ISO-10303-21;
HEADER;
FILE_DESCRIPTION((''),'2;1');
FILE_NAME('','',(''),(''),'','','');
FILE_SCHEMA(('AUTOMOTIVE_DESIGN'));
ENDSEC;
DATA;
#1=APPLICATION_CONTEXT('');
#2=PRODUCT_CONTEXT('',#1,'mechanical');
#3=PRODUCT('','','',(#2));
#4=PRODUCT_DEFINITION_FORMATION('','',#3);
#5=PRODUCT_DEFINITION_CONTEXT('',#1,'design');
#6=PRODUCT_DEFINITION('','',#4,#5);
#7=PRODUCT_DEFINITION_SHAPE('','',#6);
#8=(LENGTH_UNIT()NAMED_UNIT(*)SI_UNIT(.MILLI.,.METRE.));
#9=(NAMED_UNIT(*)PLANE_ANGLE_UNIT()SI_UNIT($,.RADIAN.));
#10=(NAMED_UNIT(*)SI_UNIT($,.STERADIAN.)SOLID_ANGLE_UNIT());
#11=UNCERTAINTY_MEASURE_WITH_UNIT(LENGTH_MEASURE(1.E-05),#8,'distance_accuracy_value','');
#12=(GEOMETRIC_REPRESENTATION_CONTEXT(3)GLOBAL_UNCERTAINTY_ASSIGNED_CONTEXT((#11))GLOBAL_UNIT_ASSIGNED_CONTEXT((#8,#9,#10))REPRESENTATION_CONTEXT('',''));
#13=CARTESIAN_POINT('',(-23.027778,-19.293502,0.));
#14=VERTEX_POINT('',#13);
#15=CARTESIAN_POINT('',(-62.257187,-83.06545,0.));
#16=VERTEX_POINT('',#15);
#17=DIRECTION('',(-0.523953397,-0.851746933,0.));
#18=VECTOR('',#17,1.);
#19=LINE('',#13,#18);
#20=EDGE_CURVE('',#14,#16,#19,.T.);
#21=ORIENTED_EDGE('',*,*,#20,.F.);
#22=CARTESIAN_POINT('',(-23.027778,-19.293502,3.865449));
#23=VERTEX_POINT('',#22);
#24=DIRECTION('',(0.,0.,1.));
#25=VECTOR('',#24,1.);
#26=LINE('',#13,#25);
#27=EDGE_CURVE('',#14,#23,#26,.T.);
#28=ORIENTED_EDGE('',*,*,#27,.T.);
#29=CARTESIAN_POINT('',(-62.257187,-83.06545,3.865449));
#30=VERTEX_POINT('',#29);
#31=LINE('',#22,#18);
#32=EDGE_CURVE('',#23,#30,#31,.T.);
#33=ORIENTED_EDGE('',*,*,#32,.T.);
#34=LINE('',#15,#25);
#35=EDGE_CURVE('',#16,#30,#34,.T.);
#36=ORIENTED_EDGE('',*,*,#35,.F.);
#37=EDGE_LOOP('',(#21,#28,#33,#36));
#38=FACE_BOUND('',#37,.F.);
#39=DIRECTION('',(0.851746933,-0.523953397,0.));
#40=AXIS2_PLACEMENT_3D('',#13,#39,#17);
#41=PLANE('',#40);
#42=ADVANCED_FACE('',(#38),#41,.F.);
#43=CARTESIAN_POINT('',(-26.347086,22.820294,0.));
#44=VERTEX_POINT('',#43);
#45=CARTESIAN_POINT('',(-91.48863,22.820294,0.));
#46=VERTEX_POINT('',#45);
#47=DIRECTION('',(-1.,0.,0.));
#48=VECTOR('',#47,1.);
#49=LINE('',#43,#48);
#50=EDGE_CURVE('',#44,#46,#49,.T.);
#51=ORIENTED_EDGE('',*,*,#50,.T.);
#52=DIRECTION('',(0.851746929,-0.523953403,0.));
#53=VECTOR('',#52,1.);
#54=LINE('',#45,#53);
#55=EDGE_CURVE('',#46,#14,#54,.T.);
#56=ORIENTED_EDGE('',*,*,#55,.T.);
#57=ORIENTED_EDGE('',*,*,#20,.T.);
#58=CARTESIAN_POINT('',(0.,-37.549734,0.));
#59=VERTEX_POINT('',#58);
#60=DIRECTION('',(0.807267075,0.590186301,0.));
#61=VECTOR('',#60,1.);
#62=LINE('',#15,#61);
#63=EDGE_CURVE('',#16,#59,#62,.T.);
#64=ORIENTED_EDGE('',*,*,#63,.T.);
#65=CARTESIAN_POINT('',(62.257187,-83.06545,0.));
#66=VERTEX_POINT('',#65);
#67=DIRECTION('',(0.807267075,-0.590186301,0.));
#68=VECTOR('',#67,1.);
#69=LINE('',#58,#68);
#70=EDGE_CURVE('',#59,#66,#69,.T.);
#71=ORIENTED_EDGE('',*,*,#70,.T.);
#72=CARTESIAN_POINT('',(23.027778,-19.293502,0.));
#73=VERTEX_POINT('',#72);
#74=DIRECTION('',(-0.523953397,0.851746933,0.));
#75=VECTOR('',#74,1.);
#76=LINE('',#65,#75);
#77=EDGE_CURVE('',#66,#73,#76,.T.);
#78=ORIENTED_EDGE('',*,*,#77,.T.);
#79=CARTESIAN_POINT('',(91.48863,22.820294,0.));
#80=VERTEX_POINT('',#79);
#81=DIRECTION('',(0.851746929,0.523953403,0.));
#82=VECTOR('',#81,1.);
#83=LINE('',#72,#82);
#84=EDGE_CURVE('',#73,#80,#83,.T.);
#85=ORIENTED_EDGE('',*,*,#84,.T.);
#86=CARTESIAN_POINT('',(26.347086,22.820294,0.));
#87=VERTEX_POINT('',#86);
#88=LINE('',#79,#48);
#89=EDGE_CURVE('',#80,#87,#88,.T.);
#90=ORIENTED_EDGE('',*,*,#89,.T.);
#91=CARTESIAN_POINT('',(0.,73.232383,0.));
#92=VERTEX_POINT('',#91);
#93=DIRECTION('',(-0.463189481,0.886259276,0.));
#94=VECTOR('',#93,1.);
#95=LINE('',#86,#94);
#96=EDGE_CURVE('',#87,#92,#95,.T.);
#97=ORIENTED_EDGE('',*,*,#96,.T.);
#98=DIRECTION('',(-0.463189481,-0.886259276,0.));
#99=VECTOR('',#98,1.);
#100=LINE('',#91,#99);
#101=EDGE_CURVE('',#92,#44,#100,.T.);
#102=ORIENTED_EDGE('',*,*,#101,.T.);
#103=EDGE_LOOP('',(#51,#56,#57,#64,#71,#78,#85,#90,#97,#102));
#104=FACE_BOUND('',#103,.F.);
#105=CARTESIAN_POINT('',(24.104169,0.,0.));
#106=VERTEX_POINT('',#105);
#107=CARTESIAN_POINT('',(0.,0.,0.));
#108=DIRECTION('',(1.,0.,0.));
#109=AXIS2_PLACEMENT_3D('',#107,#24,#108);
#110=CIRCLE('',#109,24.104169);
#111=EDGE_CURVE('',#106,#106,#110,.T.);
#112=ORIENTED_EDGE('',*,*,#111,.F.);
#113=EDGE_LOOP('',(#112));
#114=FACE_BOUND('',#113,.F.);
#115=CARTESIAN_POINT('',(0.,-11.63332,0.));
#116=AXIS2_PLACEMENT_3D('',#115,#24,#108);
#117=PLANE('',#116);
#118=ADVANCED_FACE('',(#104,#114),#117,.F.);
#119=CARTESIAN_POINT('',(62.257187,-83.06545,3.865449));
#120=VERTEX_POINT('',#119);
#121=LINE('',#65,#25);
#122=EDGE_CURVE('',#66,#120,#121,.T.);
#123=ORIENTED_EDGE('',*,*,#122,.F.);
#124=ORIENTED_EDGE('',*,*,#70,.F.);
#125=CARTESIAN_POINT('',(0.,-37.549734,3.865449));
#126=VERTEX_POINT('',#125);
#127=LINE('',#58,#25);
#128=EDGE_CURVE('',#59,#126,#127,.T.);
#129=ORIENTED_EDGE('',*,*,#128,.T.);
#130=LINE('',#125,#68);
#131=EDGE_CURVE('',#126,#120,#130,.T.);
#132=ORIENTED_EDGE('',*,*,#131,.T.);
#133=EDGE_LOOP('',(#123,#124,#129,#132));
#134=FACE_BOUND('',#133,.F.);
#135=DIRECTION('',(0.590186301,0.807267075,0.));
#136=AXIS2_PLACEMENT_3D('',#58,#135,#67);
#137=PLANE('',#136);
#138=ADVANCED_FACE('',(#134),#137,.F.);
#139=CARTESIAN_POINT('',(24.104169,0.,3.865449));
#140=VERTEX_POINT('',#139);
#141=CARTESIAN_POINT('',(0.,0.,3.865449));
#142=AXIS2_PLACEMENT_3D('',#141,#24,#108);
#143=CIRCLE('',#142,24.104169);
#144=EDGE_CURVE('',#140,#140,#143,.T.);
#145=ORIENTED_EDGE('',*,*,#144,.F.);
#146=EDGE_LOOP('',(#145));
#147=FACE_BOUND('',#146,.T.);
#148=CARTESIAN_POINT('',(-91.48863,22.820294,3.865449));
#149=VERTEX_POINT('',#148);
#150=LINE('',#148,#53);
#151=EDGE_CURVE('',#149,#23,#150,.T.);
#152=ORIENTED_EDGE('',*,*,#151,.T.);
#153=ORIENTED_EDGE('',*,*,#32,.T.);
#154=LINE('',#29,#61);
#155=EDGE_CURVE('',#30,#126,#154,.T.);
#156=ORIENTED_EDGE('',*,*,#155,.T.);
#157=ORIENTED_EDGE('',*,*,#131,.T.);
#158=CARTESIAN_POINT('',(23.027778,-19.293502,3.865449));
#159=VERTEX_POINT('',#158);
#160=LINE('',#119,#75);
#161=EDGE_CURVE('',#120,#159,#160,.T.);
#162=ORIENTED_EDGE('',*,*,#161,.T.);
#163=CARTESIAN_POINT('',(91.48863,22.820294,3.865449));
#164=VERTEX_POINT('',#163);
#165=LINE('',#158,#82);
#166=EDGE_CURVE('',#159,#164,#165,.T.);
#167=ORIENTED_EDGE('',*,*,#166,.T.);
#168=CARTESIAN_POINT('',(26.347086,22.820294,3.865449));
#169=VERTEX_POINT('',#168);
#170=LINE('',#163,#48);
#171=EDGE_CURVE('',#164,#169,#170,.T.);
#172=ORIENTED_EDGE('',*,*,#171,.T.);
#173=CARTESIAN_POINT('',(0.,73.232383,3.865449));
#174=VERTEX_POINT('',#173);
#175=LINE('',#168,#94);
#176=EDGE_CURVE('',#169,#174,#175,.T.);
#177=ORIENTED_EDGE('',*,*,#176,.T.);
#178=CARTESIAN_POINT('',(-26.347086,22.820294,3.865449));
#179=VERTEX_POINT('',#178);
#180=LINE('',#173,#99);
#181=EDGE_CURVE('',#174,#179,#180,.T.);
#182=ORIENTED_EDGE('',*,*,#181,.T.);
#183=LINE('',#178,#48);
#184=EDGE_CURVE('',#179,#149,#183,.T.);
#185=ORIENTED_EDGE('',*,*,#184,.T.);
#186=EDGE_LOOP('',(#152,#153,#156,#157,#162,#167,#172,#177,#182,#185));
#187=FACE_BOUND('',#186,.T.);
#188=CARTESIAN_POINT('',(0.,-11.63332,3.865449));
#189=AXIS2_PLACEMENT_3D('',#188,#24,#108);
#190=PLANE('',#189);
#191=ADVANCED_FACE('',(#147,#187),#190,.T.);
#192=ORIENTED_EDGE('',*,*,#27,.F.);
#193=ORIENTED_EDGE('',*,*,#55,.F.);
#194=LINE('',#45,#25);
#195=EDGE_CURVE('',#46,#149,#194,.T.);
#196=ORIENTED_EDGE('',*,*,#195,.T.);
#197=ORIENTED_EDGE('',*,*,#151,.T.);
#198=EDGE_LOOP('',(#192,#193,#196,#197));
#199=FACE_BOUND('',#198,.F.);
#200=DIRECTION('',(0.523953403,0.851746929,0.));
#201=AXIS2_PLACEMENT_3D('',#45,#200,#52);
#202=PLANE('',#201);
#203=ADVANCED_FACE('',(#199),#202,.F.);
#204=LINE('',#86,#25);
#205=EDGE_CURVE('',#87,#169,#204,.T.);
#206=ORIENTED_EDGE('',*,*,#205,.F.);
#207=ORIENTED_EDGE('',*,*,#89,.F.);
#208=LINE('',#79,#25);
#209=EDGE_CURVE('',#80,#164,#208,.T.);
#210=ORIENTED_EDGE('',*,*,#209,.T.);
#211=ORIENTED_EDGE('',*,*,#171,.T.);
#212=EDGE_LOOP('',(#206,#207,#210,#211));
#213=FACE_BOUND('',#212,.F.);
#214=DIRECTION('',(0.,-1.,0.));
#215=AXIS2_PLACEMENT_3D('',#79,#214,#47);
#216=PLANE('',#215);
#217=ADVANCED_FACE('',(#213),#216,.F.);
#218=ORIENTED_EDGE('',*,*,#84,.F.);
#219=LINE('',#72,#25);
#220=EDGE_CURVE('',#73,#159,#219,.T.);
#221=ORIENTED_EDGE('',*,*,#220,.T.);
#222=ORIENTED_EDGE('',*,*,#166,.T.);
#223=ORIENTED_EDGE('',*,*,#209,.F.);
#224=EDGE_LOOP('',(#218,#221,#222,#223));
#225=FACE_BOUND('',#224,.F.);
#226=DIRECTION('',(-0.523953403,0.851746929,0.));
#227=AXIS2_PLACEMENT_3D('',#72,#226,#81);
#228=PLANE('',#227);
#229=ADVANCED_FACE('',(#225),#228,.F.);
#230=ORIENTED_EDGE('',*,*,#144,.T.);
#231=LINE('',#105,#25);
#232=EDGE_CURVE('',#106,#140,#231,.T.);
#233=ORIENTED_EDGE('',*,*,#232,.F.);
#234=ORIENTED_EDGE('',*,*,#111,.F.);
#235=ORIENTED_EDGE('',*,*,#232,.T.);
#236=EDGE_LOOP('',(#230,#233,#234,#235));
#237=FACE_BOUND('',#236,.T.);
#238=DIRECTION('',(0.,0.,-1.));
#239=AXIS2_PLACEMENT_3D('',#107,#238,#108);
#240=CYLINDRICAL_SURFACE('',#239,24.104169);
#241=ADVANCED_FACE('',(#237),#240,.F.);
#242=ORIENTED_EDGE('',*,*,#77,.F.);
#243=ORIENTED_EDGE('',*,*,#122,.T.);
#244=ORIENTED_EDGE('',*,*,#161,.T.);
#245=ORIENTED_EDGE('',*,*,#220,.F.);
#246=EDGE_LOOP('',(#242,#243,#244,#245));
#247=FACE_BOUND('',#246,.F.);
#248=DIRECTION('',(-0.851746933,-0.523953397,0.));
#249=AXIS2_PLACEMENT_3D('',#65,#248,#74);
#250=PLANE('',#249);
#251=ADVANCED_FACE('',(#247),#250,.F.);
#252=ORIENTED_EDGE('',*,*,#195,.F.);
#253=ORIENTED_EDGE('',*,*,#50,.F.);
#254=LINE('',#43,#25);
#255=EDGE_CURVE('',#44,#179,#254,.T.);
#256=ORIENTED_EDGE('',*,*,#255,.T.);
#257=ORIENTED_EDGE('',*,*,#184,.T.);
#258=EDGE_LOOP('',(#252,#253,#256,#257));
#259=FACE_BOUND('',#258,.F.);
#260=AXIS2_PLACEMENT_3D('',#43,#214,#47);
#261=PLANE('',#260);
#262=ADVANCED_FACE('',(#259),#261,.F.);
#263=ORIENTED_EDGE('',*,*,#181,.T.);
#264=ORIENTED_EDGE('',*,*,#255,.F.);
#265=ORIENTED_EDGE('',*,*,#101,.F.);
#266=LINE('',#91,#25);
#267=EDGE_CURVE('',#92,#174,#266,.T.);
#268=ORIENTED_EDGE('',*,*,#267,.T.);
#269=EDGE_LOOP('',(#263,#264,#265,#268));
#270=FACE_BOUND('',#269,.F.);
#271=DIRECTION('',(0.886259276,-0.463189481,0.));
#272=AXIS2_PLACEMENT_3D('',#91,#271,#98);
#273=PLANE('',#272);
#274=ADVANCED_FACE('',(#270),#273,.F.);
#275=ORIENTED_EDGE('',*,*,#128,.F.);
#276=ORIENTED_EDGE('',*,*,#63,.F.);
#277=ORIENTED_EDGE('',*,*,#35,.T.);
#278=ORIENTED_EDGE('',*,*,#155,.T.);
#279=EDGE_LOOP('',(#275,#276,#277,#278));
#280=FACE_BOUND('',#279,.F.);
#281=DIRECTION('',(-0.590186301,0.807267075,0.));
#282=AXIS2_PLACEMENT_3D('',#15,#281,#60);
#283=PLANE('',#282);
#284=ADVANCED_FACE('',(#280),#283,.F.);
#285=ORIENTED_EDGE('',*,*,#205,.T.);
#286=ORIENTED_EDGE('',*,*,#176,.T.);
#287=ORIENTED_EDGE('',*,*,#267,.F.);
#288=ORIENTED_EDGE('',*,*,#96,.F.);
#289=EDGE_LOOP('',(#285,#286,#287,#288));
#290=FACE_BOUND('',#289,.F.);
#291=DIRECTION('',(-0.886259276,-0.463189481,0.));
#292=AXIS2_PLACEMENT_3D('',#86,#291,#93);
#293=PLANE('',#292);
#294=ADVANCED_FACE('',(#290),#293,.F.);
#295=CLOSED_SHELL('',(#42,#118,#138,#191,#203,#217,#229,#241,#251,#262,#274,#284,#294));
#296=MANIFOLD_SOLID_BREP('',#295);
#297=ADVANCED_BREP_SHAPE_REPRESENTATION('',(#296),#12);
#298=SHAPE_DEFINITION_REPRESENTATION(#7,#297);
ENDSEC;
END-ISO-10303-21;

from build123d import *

# Parameters (mm, degrees)
F0_R     = 24.104169
F1_DEPTH = 3.865449


with BuildPart() as f1:
    # F0 (on Top) → F1 (new body)
    with BuildSketch(Plane.XY):
        Polygon((0, 73.232383), (-26.347086, 22.820294), (-91.48863, 22.820294), (-23.027778, -19.293502), (-62.257187, -83.06545), (0, -37.549734), (62.257187, -83.06545), (23.027778, -19.293502), (91.48863, 22.820294), (26.347086, 22.820294), align=None)
        Circle(F0_R, mode=Mode.SUBTRACT)
    extrude(amount=F1_DEPTH)


solid = f1.part
